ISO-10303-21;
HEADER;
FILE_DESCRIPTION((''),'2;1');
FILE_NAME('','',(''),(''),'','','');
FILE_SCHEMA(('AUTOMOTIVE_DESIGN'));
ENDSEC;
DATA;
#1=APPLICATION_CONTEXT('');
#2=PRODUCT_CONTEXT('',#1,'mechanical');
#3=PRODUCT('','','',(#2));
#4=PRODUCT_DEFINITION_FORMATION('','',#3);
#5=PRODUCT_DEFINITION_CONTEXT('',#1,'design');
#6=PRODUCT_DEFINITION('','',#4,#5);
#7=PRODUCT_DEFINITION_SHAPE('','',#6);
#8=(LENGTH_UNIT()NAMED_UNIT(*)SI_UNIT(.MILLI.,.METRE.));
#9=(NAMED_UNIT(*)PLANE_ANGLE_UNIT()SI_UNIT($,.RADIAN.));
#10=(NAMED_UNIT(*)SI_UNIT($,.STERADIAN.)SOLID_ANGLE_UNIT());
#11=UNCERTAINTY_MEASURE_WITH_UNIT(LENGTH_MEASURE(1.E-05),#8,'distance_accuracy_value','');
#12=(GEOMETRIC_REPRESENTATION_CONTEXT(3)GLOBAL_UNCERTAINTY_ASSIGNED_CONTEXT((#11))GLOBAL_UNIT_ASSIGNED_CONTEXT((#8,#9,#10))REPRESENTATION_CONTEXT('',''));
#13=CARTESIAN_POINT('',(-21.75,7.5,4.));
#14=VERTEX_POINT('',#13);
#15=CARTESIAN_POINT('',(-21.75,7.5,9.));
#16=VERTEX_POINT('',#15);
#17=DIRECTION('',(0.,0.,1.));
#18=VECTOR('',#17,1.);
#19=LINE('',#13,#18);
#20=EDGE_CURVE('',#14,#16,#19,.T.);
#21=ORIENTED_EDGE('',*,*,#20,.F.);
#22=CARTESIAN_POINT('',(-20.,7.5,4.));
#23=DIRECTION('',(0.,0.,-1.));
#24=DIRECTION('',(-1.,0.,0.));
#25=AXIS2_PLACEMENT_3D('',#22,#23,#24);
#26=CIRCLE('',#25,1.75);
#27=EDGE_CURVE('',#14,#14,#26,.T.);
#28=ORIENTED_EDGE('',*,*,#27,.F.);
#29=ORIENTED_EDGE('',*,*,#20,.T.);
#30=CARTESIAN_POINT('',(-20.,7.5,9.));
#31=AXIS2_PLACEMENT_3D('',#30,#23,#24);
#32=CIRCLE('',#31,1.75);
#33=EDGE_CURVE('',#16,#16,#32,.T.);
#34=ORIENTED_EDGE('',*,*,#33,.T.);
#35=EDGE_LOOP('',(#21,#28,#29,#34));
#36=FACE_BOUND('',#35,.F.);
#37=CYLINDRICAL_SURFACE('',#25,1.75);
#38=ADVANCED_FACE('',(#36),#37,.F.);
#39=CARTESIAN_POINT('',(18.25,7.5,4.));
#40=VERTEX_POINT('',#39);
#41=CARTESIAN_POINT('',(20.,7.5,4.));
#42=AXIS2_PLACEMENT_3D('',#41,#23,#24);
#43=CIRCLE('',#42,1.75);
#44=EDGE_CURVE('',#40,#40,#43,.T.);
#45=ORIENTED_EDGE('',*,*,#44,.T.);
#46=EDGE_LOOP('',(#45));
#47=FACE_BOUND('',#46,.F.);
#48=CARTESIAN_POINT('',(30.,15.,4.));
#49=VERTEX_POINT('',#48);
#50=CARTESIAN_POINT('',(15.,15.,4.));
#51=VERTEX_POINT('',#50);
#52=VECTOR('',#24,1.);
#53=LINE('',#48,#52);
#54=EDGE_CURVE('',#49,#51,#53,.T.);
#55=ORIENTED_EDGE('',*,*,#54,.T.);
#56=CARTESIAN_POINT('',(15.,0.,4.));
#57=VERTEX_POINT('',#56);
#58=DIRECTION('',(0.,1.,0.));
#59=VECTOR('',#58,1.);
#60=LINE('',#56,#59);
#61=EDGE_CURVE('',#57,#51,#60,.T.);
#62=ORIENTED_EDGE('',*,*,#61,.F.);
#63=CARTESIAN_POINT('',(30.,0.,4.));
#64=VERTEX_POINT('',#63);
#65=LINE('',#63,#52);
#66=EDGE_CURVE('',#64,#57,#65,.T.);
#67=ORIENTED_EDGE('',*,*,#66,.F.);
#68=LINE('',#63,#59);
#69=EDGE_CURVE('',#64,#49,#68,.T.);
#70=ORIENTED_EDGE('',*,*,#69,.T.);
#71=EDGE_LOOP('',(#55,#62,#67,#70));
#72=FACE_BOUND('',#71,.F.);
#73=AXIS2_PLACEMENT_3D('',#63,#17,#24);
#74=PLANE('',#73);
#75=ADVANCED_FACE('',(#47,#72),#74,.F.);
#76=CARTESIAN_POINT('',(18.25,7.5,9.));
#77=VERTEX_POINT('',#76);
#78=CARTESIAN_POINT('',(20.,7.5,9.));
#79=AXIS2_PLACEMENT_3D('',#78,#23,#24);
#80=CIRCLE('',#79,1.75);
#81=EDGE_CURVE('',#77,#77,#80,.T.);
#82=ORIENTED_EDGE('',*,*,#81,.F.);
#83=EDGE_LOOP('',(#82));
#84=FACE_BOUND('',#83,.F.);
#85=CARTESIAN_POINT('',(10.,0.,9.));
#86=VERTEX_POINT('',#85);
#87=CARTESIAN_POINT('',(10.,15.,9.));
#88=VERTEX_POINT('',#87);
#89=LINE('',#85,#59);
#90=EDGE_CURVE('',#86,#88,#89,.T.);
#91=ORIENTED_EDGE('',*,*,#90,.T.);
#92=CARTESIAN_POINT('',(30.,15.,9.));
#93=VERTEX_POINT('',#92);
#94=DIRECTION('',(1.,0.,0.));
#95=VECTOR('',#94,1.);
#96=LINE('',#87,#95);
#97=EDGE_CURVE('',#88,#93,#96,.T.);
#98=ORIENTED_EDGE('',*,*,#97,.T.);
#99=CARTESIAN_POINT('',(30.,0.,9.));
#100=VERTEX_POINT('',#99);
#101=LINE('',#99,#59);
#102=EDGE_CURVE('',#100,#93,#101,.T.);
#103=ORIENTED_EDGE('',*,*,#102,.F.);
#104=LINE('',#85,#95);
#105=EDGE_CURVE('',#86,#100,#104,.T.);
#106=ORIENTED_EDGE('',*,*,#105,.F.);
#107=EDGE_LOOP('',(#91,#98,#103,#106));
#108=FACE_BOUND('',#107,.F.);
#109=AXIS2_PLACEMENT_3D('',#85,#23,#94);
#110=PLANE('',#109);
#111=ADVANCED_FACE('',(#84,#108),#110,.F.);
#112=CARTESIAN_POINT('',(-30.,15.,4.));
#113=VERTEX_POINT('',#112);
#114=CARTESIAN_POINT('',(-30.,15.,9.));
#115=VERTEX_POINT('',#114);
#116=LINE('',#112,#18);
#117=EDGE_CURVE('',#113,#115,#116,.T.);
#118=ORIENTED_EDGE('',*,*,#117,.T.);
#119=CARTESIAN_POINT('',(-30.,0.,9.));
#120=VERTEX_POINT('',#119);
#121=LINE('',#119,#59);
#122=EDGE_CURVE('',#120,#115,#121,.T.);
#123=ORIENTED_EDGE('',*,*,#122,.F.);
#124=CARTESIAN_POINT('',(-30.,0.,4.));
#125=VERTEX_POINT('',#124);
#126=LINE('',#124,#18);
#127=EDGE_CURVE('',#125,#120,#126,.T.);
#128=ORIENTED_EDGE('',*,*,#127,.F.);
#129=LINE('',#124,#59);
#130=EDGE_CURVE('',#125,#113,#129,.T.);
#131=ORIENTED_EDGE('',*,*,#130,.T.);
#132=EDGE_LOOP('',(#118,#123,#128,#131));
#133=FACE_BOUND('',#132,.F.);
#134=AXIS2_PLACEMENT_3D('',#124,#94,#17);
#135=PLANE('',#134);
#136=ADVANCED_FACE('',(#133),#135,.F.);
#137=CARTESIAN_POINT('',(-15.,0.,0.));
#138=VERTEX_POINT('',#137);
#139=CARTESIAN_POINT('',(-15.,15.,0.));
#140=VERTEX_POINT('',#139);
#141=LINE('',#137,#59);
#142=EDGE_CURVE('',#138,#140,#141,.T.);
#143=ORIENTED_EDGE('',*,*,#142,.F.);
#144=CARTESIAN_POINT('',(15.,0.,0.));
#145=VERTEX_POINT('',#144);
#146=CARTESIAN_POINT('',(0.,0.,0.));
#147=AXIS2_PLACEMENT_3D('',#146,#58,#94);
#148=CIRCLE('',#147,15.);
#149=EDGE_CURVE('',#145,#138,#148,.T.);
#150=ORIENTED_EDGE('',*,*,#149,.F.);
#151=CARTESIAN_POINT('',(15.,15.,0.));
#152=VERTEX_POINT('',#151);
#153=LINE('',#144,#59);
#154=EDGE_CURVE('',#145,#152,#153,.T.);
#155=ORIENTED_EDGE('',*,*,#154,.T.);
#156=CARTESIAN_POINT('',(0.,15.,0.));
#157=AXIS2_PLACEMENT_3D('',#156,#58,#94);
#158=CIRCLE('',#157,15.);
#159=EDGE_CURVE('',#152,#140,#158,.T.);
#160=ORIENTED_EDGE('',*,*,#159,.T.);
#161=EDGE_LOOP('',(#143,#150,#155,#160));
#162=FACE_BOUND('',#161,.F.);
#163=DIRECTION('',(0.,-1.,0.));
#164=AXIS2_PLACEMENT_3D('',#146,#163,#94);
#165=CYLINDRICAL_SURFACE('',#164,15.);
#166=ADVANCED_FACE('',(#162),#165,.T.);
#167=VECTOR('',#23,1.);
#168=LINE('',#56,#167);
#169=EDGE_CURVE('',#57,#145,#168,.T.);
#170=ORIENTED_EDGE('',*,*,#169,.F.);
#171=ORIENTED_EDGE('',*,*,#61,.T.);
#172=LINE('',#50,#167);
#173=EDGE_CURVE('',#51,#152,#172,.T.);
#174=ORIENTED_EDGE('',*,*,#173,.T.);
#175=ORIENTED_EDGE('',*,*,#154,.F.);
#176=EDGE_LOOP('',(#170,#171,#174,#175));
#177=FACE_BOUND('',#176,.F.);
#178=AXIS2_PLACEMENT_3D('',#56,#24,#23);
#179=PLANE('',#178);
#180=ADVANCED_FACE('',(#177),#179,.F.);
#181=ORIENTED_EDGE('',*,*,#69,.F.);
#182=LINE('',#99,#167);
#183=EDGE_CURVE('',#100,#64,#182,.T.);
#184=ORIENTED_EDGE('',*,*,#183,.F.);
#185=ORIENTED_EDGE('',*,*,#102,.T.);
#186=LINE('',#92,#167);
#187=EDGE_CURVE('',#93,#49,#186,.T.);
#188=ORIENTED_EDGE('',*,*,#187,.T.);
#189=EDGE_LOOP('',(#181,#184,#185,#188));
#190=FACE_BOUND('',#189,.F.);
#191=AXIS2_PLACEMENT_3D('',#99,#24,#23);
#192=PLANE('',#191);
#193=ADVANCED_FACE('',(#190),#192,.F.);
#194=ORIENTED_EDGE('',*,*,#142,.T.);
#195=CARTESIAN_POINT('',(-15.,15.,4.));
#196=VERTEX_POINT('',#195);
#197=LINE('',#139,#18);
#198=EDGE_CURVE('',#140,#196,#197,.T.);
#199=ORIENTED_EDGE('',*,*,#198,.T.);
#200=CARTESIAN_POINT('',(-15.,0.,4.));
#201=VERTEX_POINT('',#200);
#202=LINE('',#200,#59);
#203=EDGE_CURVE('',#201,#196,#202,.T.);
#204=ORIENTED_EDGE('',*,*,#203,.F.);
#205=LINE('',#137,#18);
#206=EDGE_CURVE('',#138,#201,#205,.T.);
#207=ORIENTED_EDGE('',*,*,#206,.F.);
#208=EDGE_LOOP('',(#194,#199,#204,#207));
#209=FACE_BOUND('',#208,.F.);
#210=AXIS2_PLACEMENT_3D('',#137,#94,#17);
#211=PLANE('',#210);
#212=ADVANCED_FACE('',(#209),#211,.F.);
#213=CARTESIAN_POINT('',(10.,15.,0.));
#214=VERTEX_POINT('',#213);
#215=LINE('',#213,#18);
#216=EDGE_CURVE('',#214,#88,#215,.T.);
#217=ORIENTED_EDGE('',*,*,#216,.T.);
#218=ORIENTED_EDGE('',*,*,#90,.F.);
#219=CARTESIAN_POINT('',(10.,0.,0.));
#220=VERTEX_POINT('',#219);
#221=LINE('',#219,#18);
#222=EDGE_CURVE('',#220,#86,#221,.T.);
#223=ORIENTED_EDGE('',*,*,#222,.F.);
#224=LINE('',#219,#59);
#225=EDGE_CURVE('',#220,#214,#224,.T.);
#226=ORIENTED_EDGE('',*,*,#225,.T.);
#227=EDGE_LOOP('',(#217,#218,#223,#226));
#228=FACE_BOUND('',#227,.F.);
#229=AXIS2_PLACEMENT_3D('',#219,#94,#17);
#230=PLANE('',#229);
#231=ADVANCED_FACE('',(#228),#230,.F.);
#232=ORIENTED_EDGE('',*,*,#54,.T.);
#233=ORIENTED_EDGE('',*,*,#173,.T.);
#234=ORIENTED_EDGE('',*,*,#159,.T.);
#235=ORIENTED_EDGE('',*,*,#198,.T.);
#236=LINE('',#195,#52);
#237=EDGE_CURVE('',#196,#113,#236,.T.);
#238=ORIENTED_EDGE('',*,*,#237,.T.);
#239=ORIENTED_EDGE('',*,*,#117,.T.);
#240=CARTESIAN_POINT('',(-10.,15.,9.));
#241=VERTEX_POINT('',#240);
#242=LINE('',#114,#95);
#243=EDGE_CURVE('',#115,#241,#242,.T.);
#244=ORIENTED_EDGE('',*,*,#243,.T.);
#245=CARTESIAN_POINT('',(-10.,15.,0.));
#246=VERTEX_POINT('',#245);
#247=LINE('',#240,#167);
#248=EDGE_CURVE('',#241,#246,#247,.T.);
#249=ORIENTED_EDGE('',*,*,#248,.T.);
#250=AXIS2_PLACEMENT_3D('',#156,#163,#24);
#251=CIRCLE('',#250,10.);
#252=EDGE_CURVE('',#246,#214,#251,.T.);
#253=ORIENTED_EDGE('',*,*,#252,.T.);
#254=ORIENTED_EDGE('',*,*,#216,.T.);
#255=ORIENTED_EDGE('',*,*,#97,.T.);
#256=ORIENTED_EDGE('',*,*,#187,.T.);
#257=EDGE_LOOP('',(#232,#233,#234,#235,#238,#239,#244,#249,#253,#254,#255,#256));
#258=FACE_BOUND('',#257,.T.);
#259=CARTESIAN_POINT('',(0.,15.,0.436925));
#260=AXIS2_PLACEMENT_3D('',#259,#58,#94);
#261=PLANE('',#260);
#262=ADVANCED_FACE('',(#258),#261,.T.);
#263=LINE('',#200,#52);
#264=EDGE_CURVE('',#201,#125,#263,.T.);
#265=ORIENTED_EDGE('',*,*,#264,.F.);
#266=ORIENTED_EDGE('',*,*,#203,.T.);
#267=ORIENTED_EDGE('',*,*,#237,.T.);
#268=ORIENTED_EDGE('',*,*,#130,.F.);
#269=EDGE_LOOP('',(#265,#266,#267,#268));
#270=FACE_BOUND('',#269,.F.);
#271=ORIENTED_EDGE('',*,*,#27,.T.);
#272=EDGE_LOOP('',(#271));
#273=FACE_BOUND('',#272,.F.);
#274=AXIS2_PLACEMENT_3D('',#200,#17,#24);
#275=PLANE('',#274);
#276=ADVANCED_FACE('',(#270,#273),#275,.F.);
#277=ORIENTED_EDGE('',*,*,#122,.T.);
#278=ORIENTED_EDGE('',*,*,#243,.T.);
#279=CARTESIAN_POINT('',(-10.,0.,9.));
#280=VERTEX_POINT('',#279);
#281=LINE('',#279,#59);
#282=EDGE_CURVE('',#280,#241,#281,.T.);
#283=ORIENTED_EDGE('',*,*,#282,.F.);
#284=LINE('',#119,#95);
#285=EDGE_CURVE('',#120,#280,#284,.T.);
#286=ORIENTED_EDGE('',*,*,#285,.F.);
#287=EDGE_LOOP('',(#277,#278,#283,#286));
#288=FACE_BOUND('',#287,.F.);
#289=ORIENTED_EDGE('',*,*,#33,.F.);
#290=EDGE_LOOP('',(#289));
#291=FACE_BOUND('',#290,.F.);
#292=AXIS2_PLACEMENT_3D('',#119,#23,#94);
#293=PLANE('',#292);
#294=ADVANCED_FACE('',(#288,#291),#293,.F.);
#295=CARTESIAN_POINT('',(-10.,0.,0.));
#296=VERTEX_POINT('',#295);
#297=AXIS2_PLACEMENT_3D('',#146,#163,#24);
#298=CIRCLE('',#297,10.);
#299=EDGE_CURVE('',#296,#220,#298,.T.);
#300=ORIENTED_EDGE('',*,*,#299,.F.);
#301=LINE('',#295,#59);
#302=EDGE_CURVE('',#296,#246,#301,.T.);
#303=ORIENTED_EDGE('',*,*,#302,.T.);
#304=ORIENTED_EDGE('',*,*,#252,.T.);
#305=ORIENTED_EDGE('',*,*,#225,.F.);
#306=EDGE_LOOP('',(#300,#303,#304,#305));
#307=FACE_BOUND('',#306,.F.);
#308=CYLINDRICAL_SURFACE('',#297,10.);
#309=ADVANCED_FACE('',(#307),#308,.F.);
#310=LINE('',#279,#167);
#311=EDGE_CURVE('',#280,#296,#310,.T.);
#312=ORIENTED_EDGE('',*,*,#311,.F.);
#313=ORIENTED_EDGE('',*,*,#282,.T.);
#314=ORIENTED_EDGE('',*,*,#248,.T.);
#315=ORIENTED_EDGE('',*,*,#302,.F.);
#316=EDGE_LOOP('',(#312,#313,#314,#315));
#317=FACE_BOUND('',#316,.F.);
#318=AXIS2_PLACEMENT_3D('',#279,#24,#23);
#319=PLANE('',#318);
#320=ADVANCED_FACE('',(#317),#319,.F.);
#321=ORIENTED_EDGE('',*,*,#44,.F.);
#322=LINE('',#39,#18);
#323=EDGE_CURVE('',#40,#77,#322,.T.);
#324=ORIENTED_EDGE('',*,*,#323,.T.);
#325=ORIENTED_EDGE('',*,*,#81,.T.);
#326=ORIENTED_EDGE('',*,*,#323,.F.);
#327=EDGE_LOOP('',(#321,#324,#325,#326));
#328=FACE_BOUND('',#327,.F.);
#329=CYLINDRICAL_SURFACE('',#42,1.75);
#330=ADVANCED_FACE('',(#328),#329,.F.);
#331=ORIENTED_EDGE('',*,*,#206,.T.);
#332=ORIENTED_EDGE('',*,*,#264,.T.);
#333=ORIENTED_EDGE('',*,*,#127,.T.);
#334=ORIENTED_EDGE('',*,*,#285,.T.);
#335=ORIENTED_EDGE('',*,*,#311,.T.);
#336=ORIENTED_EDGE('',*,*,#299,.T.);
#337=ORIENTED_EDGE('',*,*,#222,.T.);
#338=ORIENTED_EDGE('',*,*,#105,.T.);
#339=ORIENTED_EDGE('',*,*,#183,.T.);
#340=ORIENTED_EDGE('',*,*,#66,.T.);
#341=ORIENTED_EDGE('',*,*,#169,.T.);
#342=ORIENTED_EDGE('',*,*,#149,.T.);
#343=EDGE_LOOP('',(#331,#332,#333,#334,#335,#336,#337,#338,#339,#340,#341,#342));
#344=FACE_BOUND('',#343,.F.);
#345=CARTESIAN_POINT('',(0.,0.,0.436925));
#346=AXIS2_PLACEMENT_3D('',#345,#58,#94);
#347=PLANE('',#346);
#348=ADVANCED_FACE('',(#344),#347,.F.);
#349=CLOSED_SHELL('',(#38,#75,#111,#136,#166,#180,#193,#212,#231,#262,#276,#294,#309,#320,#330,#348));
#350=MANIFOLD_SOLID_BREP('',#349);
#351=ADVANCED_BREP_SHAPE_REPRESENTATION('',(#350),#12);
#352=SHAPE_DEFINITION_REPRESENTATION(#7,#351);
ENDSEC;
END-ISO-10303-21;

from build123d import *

# Parameters (mm, degrees)
BOSS_EXTRUDE1_DEPTH = 15
SKETCH2_R           = 1.75
CUT_EXTRUDE1_DEPTH  = 6


with BuildPart() as part:
    # Sketch1 → Boss-Extrude1 (new body)
    with BuildSketch(Plane(origin=(0, 0, 0), x_dir=(1, 0, 0), z_dir=(0, 1, 0))):
        with BuildLine():
            Line((-30, -4), (-30, -9))
            Line((-30, -9), (-10, -9))
            Line((-10, -9), (-10, 0))
            ThreePointArc((-10, 0), (0, 10), (10, 0))
            Line((10, 0), (10, -9))
            Line((10, -9), (30, -9))
            Line((30, -9), (30, -4))
            Line((30, -4), (15, -4))
            Line((15, -4), (15, 0))
            ThreePointArc((15, 0), (0, 15), (-15, 0))
            Line((-15, 0), (-15, -4))
            Line((-15, -4), (-30, -4))
        make_face()
    extrude(amount=BOSS_EXTRUDE1_DEPTH)

    # Sketch2 → Cut-Extrude1 (cut, through all)
    with BuildSketch(Plane(origin=(0, 0, 4), x_dir=(-1, 0, 0), z_dir=(0, 0, -1))):
        with Locations((-20, 7.5)):
            Circle(SKETCH2_R)
        with Locations((20, 7.5)):
            Circle(SKETCH2_R)
    extrude(amount=-CUT_EXTRUDE1_DEPTH, mode=Mode.SUBTRACT)


solid = part.part
